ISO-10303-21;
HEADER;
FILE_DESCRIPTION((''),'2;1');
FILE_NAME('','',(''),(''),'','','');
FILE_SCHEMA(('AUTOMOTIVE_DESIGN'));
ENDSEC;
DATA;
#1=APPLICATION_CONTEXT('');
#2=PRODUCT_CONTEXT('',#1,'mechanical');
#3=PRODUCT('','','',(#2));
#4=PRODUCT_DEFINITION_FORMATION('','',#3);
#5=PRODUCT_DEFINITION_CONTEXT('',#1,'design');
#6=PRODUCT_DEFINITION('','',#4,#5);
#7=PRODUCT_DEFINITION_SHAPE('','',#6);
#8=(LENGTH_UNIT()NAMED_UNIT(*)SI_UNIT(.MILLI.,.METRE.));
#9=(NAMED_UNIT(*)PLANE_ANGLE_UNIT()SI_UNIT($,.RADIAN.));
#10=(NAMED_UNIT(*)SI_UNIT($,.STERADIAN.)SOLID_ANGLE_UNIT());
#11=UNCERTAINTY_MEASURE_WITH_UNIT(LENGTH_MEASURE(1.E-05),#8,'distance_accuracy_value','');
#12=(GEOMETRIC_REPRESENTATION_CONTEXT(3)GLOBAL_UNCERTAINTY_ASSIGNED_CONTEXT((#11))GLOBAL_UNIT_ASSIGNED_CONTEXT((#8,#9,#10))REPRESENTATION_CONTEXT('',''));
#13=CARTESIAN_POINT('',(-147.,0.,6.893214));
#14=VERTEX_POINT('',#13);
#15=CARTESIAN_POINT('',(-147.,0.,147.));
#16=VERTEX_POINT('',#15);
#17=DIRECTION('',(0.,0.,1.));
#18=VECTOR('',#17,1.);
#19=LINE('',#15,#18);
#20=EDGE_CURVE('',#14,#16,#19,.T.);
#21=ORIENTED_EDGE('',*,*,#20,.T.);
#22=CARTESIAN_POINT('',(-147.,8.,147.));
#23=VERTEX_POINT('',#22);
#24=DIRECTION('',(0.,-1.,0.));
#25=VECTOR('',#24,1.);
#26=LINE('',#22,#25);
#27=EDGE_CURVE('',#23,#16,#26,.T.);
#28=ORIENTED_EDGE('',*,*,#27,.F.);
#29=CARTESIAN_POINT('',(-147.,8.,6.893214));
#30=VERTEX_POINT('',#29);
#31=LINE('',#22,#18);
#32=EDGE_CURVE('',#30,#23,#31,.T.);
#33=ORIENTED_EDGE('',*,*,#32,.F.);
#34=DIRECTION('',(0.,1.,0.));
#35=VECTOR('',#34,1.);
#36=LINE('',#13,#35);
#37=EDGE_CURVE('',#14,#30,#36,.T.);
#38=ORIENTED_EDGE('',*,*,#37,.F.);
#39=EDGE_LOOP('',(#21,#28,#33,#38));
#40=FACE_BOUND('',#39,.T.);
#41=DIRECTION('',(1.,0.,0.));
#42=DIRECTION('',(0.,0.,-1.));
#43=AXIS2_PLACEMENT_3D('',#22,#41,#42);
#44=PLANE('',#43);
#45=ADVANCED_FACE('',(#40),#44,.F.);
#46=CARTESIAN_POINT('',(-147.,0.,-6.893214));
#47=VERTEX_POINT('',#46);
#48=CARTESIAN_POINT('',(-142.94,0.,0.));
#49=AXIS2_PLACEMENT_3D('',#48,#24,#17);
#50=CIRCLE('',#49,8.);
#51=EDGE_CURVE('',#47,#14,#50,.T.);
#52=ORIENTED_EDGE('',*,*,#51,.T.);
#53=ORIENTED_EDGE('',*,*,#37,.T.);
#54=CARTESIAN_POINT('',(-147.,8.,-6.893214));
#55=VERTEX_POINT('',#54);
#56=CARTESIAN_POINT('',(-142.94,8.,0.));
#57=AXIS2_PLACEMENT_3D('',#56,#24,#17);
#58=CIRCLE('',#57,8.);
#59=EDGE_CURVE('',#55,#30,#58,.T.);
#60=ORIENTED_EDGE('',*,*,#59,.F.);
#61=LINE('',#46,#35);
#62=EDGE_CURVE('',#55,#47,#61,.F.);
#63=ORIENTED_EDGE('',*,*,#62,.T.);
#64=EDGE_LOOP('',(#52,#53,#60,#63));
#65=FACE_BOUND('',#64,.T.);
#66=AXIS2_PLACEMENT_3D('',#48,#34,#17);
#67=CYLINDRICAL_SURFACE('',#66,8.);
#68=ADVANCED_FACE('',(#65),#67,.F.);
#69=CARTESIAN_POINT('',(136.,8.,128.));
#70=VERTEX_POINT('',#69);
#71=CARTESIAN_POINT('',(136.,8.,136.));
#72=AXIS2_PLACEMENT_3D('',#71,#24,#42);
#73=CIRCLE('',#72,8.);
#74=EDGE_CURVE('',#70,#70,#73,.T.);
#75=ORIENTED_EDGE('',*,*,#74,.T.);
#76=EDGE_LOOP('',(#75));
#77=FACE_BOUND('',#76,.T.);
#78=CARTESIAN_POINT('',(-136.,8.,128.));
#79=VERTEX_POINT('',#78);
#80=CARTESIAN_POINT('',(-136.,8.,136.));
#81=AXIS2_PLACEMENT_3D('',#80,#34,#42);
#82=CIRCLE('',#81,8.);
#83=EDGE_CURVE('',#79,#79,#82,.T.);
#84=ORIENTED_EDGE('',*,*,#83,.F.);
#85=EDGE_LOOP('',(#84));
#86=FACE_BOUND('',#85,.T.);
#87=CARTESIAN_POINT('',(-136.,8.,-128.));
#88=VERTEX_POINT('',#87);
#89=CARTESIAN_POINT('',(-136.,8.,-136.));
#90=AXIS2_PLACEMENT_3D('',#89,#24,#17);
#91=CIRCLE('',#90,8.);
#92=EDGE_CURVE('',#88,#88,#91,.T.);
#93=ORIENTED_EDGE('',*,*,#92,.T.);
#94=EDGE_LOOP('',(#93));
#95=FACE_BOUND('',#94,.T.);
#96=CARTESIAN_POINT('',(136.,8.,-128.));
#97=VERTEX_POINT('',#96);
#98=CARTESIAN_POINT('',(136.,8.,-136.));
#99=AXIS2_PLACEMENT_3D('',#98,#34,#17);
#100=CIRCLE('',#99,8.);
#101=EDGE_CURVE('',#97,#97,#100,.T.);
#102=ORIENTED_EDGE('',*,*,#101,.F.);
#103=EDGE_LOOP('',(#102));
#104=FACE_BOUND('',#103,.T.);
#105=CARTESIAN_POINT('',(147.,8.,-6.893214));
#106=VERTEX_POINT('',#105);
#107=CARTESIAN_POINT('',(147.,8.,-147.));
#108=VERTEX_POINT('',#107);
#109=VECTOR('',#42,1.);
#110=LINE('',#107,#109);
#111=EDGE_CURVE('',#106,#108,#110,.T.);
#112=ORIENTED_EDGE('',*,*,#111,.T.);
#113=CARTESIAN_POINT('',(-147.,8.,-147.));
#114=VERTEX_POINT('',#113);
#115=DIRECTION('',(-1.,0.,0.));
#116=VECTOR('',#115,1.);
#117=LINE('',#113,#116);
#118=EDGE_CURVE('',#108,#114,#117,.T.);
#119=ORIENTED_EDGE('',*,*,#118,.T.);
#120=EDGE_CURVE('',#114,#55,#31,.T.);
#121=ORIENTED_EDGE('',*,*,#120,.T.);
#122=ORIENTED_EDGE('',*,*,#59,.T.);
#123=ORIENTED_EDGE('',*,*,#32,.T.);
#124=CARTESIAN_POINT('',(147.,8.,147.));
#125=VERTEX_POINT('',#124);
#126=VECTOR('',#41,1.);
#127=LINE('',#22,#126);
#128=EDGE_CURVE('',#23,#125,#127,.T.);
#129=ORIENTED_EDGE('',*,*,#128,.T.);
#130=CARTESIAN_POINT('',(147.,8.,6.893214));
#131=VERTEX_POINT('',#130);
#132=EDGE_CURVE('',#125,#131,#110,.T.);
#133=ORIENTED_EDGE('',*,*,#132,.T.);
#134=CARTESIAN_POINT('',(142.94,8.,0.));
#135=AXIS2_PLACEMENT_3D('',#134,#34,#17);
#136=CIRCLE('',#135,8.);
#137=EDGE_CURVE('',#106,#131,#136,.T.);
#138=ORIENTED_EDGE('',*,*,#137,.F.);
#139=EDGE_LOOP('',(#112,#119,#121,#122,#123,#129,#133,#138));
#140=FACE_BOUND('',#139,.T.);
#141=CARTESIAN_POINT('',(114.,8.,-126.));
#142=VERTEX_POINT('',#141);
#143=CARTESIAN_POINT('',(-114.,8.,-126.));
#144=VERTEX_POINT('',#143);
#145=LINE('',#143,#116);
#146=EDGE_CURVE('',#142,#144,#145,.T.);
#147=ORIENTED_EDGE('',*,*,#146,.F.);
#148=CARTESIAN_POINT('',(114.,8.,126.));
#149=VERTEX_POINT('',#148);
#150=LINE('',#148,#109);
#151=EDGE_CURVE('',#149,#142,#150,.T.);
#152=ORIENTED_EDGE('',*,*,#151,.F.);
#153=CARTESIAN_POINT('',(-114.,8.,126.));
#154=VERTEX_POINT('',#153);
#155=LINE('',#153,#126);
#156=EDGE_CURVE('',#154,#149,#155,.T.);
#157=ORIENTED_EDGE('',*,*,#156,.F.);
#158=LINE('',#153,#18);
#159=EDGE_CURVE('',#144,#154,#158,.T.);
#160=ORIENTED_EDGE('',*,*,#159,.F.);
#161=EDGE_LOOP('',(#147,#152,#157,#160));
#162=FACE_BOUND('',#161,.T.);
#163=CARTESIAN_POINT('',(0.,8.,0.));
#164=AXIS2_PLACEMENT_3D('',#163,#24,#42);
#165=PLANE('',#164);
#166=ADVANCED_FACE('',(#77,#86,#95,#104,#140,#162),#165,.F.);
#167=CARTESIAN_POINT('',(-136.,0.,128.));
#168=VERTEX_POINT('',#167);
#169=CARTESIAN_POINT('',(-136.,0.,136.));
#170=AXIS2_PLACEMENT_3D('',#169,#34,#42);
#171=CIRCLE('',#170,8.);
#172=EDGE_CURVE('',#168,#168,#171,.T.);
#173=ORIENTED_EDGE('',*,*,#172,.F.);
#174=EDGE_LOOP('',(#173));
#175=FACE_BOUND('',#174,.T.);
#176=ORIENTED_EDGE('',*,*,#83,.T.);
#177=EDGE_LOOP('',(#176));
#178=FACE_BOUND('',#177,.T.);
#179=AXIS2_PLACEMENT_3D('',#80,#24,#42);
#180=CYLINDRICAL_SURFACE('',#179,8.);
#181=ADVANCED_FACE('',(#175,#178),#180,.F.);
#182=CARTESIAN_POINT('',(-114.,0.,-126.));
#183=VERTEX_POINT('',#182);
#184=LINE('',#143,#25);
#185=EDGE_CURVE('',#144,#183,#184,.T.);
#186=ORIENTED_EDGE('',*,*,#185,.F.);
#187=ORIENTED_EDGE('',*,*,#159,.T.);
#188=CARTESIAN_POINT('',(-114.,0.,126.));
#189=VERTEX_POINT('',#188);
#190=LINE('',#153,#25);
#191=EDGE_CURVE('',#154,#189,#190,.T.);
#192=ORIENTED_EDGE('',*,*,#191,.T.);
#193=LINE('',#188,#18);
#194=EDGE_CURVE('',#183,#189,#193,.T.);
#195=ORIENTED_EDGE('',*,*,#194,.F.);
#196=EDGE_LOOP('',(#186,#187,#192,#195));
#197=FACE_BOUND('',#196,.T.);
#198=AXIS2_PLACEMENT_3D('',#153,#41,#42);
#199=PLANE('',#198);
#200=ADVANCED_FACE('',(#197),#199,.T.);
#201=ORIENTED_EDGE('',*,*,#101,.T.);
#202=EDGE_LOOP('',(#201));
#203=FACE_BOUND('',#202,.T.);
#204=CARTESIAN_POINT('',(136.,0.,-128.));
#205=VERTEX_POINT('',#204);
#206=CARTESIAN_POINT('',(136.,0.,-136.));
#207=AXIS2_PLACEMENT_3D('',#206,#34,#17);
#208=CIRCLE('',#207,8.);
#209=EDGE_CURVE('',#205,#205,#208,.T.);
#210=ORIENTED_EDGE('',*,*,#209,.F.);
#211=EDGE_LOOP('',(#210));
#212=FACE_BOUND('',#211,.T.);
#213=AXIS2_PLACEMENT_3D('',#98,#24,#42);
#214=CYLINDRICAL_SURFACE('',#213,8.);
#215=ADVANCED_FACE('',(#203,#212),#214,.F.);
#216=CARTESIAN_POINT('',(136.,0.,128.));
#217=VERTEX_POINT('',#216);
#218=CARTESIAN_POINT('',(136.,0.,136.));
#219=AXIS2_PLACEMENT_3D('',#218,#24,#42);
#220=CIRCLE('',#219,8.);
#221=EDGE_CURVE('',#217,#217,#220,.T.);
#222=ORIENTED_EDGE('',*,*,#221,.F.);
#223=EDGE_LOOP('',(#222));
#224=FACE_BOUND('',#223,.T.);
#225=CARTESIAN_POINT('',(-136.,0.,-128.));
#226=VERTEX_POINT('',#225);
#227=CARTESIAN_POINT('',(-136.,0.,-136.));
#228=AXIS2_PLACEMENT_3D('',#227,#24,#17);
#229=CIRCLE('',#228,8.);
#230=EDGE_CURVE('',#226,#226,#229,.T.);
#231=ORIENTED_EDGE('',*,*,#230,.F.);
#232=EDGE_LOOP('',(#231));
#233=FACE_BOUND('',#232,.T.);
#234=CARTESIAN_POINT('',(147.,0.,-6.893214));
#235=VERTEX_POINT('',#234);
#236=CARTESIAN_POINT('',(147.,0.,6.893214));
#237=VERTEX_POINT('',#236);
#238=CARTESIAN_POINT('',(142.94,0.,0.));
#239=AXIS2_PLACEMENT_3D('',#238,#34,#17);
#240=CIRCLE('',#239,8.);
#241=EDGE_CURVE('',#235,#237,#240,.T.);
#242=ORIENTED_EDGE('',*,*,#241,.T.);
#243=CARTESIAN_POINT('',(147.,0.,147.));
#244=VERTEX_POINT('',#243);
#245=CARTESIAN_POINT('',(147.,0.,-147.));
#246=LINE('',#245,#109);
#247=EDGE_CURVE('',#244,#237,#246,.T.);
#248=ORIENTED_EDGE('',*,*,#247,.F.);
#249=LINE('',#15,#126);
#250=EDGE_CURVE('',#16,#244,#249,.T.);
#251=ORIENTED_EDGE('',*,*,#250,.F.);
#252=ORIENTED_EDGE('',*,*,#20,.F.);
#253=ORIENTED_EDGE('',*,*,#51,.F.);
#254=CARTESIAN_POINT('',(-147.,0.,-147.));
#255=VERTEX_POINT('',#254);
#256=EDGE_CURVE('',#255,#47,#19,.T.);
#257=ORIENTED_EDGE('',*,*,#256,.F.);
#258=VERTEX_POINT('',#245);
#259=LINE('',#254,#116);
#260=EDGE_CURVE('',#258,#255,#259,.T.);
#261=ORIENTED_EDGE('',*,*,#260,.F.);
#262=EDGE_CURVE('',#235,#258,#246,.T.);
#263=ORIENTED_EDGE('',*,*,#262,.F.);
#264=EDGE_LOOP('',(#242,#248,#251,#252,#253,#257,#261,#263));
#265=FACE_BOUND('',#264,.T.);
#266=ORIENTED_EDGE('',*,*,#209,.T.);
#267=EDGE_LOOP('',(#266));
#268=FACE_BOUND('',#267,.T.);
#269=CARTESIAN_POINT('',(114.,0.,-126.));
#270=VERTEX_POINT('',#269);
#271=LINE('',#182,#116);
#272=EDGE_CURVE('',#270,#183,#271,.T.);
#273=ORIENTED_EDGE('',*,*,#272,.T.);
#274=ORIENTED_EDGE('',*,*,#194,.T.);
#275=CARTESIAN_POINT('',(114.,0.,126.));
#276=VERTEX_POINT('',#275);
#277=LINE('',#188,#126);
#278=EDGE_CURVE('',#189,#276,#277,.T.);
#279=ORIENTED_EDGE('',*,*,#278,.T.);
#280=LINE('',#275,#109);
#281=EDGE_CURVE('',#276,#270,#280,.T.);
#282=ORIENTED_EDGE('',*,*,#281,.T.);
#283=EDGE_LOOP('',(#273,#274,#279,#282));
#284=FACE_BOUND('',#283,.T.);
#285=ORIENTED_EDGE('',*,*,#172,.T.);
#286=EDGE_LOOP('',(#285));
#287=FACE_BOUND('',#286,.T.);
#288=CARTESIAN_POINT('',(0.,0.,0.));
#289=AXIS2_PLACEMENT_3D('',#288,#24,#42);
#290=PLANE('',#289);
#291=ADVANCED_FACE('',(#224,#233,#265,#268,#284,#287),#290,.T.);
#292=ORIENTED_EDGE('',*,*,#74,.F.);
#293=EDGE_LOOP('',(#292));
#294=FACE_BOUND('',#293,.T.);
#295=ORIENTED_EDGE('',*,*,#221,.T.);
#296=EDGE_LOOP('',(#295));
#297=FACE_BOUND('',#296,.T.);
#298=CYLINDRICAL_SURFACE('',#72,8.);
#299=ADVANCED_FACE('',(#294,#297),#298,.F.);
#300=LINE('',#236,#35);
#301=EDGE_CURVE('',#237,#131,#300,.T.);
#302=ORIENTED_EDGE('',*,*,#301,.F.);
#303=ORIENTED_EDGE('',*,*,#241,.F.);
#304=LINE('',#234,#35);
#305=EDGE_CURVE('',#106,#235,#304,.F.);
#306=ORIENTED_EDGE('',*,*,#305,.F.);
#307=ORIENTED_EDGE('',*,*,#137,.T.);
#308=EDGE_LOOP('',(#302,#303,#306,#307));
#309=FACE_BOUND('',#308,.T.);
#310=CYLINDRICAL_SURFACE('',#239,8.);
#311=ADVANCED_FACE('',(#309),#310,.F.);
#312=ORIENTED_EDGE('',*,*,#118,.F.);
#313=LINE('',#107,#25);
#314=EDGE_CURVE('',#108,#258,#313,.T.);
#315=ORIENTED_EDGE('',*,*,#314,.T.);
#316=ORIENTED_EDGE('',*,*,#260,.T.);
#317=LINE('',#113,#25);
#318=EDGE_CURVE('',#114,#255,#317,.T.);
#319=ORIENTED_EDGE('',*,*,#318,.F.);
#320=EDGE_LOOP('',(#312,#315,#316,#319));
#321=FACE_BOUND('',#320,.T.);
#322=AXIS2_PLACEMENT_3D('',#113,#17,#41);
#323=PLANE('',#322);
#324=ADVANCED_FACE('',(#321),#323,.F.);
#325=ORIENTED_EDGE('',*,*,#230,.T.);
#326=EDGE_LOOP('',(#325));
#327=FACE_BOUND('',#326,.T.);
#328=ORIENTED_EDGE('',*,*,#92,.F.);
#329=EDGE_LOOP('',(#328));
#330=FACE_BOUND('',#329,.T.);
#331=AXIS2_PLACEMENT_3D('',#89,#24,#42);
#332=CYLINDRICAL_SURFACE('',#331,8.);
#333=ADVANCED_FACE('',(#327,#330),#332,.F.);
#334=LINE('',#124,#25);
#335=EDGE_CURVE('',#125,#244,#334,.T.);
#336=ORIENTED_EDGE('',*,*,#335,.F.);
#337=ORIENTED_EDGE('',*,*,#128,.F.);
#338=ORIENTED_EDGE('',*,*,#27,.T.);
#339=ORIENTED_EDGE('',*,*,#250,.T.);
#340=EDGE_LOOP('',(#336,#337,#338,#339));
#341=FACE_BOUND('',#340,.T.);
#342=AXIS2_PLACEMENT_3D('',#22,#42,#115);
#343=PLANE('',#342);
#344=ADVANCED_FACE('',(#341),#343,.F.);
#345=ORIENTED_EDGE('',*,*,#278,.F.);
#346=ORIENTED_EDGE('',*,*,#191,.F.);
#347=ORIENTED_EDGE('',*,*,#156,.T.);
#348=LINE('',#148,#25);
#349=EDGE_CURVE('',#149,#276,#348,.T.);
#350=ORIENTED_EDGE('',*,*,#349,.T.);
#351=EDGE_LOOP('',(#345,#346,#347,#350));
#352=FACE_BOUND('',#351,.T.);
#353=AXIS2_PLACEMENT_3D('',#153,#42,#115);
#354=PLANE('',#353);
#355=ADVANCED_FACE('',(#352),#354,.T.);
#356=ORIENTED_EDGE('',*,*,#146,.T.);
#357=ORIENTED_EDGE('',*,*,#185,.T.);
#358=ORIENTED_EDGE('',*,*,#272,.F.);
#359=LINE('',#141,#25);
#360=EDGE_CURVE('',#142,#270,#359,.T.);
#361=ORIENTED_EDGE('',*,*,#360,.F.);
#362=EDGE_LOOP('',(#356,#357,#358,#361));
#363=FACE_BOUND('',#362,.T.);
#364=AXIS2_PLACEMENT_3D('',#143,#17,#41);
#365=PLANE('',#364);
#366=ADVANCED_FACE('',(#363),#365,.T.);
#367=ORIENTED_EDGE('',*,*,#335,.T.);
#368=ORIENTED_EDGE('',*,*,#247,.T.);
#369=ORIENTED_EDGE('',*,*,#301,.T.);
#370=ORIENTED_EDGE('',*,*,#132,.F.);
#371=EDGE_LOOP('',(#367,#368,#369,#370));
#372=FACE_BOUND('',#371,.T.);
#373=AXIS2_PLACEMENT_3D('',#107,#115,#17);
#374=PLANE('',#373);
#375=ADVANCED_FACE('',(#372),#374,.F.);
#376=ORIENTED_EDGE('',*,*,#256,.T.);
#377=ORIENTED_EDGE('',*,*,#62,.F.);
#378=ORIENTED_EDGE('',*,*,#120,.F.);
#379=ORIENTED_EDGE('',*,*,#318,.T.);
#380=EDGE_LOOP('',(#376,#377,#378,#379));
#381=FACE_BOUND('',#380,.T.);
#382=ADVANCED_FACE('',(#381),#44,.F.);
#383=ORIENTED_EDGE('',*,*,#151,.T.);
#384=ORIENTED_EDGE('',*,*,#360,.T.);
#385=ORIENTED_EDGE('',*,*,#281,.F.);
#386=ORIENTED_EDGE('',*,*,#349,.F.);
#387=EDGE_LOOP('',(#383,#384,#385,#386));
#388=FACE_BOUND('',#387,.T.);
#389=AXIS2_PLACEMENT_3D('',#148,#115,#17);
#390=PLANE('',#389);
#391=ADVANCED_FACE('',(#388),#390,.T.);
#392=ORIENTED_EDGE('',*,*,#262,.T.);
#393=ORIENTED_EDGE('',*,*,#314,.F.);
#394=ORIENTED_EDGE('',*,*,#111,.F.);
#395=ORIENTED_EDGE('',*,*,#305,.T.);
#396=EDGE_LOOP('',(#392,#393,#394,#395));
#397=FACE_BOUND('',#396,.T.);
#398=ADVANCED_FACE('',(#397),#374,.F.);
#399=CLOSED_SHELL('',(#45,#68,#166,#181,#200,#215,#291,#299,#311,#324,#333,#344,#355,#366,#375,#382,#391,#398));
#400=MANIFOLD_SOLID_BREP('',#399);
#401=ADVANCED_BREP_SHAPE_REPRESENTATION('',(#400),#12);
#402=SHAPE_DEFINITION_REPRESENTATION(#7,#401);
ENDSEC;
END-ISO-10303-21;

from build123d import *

# Parameters (mm, degrees)
SKETCH1_W               = 294
SKETCH1_H               = 294
SKETCH1_W_2             = 228
SKETCH1_H_2             = 252
BOSS_EXTRUDE1_DEPTH     = 8
SKETCH2_R               = 8
CUT_EXTRUDE1_DEPTH      = 209.043264731
SKETCH4_R               = 8
CUT_EXTRUDE2_DEPTH      = 209.043264731
MIRROR3_COPY_1_SKETCH_R = 8
MIRROR3_COPY_1_DEPTH    = 209.043264731


with BuildPart() as part:
    # Sketch1 → Boss-Extrude1 (new body)
    with BuildSketch(Plane(origin=(0, 0, 0), x_dir=(1, 0, 0), z_dir=(0, 1, 0))):
        Rectangle(SKETCH1_W, SKETCH1_H)
        Rectangle(SKETCH1_W_2, SKETCH1_H_2, mode=Mode.SUBTRACT)
    extrude(amount=BOSS_EXTRUDE1_DEPTH)

    # Sketch2 → Cut-Extrude1 (cut, through all)
    with BuildSketch(Plane(origin=(0, 0, 0), x_dir=(1, 0, 0), z_dir=(0, 1, 0))):
        with Locations(Location((136, 136, 0), (0, 0, 270))):
            Circle(SKETCH2_R)
    cut_extrude1 = extrude(amount=CUT_EXTRUDE1_DEPTH, mode=Mode.SUBTRACT)

    # Mirror2: Cut-Extrude1 across plane
    add(cut_extrude1.mirror(Plane.XY), mode=Mode.SUBTRACT)

    # Sketch4 → Cut-Extrude2 (cut, through all)
    with BuildSketch(Plane(origin=(0, 8, 0), x_dir=(1, 0, 0), z_dir=(0, 1, 0))):
        with Locations((142.94, 0)):
            Circle(SKETCH4_R)
    cut_extrude2 = extrude(amount=-CUT_EXTRUDE2_DEPTH, mode=Mode.SUBTRACT)

    # Mirror3: Cut-Extrude1, Cut-Extrude2 across plane
    add(cut_extrude1.mirror(Plane(origin=(0, 0, 0), x_dir=(0, 0, 1), z_dir=(1, 0, 0))), mode=Mode.SUBTRACT)
    add(cut_extrude2.mirror(Plane(origin=(0, 0, 0), x_dir=(0, 0, 1), z_dir=(1, 0, 0))), mode=Mode.SUBTRACT)

    # Mirror3 copy 1 sketch → Mirror3 copy 1 (cut, through all)
    with BuildSketch(Plane(origin=(0, 0, 0), x_dir=(-1, 0, 0), z_dir=(0, 1, 0))):
        with Locations(Location((136, 136, 0), (0, 0, 270))):
            Circle(MIRROR3_COPY_1_SKETCH_R)
    extrude(amount=MIRROR3_COPY_1_DEPTH, mode=Mode.SUBTRACT)


solid = part.part
